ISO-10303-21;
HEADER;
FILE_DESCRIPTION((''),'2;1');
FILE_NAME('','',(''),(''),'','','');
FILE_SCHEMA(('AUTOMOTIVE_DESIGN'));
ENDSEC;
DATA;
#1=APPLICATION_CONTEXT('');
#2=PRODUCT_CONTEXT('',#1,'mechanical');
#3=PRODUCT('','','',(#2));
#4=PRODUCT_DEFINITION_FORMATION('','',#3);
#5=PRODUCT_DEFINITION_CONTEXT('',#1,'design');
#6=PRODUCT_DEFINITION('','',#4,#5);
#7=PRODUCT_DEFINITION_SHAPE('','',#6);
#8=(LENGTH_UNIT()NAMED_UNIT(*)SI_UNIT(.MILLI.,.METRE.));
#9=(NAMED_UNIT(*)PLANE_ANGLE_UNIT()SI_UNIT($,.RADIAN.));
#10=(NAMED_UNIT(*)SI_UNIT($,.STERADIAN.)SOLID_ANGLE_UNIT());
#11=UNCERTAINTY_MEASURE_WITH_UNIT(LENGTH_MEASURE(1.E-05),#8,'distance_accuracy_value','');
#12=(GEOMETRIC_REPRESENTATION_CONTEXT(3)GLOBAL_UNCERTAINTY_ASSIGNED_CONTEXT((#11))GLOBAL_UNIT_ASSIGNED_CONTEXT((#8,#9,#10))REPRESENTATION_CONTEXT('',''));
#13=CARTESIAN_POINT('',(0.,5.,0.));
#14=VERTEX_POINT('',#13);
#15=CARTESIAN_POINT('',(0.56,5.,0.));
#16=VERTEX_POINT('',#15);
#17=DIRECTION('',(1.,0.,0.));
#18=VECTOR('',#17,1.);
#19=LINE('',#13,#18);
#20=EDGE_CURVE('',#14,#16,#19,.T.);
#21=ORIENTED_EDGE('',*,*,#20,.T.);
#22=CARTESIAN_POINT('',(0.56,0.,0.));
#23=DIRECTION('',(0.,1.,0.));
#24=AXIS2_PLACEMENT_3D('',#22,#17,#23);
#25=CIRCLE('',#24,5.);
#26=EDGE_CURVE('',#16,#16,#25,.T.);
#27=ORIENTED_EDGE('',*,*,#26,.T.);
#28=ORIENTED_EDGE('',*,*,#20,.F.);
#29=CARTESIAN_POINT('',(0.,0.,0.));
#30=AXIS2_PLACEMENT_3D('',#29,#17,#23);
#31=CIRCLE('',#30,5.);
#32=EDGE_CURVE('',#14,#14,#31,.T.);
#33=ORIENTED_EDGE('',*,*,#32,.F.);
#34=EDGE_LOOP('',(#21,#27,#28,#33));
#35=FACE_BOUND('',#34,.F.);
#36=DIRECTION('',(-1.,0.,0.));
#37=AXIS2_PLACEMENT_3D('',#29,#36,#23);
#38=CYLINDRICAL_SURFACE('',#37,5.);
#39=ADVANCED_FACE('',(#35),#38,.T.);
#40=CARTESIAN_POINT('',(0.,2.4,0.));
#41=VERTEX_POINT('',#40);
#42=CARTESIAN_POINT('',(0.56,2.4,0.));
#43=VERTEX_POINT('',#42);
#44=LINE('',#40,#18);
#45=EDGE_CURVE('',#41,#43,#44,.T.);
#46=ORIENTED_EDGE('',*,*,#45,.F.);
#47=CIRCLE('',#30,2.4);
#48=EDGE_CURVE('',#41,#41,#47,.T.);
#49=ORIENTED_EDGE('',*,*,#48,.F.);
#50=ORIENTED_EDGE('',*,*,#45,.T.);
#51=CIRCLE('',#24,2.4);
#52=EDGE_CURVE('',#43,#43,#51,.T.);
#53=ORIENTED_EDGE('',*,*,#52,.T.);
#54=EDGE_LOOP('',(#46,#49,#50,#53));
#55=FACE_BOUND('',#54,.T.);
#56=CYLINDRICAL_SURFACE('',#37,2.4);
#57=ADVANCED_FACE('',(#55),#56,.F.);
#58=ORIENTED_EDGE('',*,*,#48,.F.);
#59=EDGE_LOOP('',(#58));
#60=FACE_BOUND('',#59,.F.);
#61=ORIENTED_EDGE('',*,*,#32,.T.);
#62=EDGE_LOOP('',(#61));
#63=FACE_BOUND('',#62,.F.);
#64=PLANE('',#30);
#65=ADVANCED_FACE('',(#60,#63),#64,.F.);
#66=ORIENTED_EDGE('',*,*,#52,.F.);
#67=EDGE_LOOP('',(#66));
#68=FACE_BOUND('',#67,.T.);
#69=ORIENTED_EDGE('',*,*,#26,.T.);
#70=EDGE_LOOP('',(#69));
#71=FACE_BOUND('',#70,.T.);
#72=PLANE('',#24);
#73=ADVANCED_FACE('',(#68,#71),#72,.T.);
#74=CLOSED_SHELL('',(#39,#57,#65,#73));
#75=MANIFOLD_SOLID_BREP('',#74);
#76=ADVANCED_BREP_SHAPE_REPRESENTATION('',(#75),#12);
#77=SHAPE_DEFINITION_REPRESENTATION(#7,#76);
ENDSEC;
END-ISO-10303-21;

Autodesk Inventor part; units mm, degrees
ref_plane "YZ Plane" through (0, 0, 0) normal (1, 0, 0) x (0, 1, 0)
ref_plane "XZ Plane" through (0, 0, 0) normal (0, 1, 0) x (-1, 0, 0)
sketch "Эскиз" plane through (0, 0, 0) normal (1, 0, 0) x (0, 1, 0)
  circle A0 centre (0, 0) radius 5
  circle A1 centre (0, 0) radius 2.4
  dimension "d0" = 4.8
  dimension "d1" = 10
extrude "Базовый элемент" add sketch "Эскиз" along normal blind 0.56
ref_plane "Work Plane1" through (0, 0, 0) normal (0, 0, 1) x (1, 0, 0)
equation "\"d0\" = SD1"
equation "\"d1\" = SD2"
equation "\"d2\" = SD"
equation "\"SD1\" = 4.8"
equation "\"SD2\" = 10"
equation "\"SD\" = 0.56"
equation "\"NND\" = 4.5"
properties part number "CNS 4309 - 4,5 A" material "Сталь, мягкая"
